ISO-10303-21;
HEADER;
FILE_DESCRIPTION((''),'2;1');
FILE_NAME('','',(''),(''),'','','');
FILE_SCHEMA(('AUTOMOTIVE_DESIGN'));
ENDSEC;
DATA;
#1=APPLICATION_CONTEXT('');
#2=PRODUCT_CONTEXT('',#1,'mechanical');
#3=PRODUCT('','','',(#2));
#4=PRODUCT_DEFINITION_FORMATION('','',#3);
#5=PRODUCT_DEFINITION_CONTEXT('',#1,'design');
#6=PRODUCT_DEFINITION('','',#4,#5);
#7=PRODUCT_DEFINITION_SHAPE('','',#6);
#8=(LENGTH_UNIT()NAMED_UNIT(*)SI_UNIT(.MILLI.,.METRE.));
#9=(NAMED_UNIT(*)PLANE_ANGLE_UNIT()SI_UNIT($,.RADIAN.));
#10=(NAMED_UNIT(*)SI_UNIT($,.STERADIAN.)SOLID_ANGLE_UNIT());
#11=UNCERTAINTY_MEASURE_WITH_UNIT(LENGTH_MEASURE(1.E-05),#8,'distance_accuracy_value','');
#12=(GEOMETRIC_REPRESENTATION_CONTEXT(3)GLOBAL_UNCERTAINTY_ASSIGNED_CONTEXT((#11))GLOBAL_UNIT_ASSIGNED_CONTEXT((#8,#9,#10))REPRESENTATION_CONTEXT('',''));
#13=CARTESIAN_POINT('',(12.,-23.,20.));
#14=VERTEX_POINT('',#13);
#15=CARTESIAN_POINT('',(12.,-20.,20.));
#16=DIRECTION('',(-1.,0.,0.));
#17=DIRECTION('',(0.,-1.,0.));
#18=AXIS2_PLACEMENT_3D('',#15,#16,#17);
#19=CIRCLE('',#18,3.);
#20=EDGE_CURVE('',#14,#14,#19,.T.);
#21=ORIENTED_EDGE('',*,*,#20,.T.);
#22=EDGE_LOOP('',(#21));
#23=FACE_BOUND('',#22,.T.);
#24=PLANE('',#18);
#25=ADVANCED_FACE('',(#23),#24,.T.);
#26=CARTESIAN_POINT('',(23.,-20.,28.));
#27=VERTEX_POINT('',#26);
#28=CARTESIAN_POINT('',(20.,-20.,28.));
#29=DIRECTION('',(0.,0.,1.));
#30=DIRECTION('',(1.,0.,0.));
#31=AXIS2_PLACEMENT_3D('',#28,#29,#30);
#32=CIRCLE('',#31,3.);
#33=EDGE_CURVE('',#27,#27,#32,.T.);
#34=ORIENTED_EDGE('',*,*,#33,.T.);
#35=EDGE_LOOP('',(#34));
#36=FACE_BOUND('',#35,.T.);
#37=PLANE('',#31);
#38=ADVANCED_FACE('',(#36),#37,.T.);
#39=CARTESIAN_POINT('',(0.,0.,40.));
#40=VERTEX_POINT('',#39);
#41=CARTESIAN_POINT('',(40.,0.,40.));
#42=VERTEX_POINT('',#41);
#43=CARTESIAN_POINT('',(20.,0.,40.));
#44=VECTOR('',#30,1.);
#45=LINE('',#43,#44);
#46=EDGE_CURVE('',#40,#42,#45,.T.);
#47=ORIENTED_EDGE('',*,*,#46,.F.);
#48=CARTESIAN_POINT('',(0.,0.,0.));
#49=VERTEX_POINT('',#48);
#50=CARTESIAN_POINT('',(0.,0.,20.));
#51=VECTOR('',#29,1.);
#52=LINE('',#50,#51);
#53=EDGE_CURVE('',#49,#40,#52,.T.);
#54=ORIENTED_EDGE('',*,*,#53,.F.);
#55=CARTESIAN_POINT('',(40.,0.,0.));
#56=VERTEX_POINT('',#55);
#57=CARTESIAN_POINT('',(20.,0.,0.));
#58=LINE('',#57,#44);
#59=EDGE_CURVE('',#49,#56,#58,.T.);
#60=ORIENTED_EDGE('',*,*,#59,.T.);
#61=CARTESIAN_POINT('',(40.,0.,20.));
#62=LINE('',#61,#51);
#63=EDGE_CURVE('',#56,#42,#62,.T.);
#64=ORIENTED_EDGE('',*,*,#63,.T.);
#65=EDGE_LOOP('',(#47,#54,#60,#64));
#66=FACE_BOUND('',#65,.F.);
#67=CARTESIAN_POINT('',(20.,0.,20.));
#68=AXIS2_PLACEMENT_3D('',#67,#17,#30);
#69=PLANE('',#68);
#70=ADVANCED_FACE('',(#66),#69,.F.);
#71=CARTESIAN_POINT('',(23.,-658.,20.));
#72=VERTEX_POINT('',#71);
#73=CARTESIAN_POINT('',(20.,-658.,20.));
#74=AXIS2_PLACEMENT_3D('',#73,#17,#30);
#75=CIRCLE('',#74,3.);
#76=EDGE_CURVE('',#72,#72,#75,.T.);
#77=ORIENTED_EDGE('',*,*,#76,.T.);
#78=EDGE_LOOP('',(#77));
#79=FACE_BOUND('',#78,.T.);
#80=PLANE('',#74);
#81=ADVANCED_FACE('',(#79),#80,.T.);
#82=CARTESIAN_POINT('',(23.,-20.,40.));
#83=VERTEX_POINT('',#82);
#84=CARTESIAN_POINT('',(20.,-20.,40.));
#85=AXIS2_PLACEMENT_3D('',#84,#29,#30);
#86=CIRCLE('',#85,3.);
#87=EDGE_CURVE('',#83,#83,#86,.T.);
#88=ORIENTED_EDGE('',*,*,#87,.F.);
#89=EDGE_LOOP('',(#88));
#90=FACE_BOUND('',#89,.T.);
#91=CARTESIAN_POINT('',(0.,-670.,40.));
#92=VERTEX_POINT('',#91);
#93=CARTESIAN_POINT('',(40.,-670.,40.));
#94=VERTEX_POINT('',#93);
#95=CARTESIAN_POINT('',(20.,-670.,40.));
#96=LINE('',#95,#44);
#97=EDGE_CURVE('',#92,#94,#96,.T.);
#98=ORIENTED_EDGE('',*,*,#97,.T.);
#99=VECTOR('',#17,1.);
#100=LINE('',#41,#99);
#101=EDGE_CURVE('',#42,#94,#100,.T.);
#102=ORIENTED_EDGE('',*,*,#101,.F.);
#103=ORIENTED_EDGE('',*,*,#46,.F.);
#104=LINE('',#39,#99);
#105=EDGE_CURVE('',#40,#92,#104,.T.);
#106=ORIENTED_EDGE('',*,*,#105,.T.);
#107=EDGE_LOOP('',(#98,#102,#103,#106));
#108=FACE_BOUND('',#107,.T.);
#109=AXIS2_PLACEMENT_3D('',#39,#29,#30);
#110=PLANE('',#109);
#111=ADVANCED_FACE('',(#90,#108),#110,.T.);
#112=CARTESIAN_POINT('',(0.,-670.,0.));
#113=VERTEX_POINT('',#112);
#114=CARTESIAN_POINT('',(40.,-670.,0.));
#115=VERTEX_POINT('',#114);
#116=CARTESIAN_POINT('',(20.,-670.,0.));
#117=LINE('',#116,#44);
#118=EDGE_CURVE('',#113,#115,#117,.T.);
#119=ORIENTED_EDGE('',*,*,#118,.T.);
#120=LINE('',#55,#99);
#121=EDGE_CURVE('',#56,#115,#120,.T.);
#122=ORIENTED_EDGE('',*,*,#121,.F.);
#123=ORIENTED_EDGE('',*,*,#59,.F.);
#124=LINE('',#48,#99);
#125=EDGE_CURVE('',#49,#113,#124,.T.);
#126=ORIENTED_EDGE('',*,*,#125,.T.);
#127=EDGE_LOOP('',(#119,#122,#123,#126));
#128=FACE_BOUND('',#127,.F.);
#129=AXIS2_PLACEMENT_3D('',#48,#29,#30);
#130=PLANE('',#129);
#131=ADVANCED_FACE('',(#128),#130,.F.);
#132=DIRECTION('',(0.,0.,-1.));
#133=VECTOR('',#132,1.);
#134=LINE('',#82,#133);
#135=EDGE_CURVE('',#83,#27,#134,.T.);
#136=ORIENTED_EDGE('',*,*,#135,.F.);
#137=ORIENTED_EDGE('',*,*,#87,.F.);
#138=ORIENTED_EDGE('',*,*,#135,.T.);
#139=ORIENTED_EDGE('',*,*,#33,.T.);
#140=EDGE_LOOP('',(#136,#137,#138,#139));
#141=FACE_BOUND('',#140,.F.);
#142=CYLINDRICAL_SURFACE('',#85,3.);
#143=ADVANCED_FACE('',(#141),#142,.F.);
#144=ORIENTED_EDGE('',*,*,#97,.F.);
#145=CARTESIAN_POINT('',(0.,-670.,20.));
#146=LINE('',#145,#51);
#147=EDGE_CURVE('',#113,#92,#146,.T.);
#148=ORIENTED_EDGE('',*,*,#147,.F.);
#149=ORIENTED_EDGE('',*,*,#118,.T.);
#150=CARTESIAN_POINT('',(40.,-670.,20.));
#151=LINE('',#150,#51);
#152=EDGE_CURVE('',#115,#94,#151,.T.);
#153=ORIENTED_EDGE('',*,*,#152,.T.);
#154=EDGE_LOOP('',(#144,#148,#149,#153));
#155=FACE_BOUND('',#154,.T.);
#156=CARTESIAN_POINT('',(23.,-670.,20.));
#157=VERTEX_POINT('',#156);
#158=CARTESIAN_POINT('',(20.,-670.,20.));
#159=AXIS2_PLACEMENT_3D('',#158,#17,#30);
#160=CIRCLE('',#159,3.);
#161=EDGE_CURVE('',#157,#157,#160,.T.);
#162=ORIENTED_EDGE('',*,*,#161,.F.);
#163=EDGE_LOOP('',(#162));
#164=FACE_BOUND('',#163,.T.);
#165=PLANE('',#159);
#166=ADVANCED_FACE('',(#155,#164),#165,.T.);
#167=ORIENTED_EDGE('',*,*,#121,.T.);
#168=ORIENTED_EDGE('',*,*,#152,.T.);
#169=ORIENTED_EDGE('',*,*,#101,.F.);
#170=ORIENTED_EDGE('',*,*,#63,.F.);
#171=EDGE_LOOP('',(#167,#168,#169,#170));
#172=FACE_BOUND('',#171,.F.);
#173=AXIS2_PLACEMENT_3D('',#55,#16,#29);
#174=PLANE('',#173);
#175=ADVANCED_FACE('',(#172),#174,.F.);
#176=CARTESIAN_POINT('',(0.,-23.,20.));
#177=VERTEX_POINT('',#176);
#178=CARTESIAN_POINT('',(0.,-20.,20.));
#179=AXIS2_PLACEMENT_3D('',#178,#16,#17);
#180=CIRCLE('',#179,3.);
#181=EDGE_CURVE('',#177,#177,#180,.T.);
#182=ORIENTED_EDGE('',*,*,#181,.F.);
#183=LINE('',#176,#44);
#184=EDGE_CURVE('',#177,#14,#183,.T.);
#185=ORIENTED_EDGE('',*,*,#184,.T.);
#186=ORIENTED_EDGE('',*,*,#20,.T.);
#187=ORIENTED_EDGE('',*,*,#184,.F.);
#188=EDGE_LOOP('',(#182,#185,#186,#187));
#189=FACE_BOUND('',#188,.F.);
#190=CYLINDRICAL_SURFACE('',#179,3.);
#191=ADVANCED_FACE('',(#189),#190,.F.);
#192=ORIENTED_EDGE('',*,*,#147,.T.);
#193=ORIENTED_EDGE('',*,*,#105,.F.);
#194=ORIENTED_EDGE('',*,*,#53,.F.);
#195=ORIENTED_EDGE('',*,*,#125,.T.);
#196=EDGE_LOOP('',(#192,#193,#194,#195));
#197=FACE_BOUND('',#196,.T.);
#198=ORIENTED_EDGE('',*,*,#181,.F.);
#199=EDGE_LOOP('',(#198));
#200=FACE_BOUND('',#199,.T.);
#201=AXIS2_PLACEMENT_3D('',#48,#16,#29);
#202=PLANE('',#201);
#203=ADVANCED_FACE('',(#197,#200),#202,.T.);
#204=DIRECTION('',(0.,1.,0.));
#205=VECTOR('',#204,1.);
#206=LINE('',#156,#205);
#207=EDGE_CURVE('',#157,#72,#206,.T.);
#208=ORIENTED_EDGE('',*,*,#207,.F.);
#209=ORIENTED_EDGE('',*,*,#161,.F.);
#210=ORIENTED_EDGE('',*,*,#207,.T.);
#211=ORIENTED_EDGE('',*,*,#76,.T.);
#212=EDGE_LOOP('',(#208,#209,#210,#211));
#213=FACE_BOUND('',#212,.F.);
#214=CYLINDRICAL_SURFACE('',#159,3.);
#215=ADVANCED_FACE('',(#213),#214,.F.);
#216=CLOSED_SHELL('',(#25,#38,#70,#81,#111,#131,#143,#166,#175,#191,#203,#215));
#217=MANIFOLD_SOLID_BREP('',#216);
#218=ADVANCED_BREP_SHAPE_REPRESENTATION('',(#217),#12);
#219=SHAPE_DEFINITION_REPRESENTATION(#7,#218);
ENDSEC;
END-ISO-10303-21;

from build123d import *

# Parameters (mm, degrees)
F0_W     = 40
F0_H     = 40
F1_DEPTH = 670
F2_R     = 3
F3_DEPTH = 12
F4_R     = 3
F5_DEPTH = 12
F6_R     = 3
F7_DEPTH = 12


with BuildPart() as f1:
    # F0 (on Front) → F1 (new body)
    with BuildSketch(Plane.XZ):
        with Locations((20, 20)):
            Rectangle(F0_W, F0_H)
    extrude(amount=F1_DEPTH)

    # F2 (on face) → F3 (cut)
    with BuildSketch(Plane.XZ.offset(670)):
        with Locations((20, 20)):
            Circle(F2_R)
    extrude(amount=-F3_DEPTH, mode=Mode.SUBTRACT)

    # F4 (on face) → F5 (cut)
    with BuildSketch(Plane(origin=(0, 0, 0), x_dir=(0, -1, 0), z_dir=(-1, 0, 0))):
        with Locations((20, 20)):
            Circle(F4_R)
    extrude(amount=-F5_DEPTH, mode=Mode.SUBTRACT)

    # F6 (on face) → F7 (cut)
    with BuildSketch(Plane.XY.offset(40)):
        with Locations((20, -20)):
            Circle(F6_R)
    extrude(amount=-F7_DEPTH, mode=Mode.SUBTRACT)


solid = f1.part
